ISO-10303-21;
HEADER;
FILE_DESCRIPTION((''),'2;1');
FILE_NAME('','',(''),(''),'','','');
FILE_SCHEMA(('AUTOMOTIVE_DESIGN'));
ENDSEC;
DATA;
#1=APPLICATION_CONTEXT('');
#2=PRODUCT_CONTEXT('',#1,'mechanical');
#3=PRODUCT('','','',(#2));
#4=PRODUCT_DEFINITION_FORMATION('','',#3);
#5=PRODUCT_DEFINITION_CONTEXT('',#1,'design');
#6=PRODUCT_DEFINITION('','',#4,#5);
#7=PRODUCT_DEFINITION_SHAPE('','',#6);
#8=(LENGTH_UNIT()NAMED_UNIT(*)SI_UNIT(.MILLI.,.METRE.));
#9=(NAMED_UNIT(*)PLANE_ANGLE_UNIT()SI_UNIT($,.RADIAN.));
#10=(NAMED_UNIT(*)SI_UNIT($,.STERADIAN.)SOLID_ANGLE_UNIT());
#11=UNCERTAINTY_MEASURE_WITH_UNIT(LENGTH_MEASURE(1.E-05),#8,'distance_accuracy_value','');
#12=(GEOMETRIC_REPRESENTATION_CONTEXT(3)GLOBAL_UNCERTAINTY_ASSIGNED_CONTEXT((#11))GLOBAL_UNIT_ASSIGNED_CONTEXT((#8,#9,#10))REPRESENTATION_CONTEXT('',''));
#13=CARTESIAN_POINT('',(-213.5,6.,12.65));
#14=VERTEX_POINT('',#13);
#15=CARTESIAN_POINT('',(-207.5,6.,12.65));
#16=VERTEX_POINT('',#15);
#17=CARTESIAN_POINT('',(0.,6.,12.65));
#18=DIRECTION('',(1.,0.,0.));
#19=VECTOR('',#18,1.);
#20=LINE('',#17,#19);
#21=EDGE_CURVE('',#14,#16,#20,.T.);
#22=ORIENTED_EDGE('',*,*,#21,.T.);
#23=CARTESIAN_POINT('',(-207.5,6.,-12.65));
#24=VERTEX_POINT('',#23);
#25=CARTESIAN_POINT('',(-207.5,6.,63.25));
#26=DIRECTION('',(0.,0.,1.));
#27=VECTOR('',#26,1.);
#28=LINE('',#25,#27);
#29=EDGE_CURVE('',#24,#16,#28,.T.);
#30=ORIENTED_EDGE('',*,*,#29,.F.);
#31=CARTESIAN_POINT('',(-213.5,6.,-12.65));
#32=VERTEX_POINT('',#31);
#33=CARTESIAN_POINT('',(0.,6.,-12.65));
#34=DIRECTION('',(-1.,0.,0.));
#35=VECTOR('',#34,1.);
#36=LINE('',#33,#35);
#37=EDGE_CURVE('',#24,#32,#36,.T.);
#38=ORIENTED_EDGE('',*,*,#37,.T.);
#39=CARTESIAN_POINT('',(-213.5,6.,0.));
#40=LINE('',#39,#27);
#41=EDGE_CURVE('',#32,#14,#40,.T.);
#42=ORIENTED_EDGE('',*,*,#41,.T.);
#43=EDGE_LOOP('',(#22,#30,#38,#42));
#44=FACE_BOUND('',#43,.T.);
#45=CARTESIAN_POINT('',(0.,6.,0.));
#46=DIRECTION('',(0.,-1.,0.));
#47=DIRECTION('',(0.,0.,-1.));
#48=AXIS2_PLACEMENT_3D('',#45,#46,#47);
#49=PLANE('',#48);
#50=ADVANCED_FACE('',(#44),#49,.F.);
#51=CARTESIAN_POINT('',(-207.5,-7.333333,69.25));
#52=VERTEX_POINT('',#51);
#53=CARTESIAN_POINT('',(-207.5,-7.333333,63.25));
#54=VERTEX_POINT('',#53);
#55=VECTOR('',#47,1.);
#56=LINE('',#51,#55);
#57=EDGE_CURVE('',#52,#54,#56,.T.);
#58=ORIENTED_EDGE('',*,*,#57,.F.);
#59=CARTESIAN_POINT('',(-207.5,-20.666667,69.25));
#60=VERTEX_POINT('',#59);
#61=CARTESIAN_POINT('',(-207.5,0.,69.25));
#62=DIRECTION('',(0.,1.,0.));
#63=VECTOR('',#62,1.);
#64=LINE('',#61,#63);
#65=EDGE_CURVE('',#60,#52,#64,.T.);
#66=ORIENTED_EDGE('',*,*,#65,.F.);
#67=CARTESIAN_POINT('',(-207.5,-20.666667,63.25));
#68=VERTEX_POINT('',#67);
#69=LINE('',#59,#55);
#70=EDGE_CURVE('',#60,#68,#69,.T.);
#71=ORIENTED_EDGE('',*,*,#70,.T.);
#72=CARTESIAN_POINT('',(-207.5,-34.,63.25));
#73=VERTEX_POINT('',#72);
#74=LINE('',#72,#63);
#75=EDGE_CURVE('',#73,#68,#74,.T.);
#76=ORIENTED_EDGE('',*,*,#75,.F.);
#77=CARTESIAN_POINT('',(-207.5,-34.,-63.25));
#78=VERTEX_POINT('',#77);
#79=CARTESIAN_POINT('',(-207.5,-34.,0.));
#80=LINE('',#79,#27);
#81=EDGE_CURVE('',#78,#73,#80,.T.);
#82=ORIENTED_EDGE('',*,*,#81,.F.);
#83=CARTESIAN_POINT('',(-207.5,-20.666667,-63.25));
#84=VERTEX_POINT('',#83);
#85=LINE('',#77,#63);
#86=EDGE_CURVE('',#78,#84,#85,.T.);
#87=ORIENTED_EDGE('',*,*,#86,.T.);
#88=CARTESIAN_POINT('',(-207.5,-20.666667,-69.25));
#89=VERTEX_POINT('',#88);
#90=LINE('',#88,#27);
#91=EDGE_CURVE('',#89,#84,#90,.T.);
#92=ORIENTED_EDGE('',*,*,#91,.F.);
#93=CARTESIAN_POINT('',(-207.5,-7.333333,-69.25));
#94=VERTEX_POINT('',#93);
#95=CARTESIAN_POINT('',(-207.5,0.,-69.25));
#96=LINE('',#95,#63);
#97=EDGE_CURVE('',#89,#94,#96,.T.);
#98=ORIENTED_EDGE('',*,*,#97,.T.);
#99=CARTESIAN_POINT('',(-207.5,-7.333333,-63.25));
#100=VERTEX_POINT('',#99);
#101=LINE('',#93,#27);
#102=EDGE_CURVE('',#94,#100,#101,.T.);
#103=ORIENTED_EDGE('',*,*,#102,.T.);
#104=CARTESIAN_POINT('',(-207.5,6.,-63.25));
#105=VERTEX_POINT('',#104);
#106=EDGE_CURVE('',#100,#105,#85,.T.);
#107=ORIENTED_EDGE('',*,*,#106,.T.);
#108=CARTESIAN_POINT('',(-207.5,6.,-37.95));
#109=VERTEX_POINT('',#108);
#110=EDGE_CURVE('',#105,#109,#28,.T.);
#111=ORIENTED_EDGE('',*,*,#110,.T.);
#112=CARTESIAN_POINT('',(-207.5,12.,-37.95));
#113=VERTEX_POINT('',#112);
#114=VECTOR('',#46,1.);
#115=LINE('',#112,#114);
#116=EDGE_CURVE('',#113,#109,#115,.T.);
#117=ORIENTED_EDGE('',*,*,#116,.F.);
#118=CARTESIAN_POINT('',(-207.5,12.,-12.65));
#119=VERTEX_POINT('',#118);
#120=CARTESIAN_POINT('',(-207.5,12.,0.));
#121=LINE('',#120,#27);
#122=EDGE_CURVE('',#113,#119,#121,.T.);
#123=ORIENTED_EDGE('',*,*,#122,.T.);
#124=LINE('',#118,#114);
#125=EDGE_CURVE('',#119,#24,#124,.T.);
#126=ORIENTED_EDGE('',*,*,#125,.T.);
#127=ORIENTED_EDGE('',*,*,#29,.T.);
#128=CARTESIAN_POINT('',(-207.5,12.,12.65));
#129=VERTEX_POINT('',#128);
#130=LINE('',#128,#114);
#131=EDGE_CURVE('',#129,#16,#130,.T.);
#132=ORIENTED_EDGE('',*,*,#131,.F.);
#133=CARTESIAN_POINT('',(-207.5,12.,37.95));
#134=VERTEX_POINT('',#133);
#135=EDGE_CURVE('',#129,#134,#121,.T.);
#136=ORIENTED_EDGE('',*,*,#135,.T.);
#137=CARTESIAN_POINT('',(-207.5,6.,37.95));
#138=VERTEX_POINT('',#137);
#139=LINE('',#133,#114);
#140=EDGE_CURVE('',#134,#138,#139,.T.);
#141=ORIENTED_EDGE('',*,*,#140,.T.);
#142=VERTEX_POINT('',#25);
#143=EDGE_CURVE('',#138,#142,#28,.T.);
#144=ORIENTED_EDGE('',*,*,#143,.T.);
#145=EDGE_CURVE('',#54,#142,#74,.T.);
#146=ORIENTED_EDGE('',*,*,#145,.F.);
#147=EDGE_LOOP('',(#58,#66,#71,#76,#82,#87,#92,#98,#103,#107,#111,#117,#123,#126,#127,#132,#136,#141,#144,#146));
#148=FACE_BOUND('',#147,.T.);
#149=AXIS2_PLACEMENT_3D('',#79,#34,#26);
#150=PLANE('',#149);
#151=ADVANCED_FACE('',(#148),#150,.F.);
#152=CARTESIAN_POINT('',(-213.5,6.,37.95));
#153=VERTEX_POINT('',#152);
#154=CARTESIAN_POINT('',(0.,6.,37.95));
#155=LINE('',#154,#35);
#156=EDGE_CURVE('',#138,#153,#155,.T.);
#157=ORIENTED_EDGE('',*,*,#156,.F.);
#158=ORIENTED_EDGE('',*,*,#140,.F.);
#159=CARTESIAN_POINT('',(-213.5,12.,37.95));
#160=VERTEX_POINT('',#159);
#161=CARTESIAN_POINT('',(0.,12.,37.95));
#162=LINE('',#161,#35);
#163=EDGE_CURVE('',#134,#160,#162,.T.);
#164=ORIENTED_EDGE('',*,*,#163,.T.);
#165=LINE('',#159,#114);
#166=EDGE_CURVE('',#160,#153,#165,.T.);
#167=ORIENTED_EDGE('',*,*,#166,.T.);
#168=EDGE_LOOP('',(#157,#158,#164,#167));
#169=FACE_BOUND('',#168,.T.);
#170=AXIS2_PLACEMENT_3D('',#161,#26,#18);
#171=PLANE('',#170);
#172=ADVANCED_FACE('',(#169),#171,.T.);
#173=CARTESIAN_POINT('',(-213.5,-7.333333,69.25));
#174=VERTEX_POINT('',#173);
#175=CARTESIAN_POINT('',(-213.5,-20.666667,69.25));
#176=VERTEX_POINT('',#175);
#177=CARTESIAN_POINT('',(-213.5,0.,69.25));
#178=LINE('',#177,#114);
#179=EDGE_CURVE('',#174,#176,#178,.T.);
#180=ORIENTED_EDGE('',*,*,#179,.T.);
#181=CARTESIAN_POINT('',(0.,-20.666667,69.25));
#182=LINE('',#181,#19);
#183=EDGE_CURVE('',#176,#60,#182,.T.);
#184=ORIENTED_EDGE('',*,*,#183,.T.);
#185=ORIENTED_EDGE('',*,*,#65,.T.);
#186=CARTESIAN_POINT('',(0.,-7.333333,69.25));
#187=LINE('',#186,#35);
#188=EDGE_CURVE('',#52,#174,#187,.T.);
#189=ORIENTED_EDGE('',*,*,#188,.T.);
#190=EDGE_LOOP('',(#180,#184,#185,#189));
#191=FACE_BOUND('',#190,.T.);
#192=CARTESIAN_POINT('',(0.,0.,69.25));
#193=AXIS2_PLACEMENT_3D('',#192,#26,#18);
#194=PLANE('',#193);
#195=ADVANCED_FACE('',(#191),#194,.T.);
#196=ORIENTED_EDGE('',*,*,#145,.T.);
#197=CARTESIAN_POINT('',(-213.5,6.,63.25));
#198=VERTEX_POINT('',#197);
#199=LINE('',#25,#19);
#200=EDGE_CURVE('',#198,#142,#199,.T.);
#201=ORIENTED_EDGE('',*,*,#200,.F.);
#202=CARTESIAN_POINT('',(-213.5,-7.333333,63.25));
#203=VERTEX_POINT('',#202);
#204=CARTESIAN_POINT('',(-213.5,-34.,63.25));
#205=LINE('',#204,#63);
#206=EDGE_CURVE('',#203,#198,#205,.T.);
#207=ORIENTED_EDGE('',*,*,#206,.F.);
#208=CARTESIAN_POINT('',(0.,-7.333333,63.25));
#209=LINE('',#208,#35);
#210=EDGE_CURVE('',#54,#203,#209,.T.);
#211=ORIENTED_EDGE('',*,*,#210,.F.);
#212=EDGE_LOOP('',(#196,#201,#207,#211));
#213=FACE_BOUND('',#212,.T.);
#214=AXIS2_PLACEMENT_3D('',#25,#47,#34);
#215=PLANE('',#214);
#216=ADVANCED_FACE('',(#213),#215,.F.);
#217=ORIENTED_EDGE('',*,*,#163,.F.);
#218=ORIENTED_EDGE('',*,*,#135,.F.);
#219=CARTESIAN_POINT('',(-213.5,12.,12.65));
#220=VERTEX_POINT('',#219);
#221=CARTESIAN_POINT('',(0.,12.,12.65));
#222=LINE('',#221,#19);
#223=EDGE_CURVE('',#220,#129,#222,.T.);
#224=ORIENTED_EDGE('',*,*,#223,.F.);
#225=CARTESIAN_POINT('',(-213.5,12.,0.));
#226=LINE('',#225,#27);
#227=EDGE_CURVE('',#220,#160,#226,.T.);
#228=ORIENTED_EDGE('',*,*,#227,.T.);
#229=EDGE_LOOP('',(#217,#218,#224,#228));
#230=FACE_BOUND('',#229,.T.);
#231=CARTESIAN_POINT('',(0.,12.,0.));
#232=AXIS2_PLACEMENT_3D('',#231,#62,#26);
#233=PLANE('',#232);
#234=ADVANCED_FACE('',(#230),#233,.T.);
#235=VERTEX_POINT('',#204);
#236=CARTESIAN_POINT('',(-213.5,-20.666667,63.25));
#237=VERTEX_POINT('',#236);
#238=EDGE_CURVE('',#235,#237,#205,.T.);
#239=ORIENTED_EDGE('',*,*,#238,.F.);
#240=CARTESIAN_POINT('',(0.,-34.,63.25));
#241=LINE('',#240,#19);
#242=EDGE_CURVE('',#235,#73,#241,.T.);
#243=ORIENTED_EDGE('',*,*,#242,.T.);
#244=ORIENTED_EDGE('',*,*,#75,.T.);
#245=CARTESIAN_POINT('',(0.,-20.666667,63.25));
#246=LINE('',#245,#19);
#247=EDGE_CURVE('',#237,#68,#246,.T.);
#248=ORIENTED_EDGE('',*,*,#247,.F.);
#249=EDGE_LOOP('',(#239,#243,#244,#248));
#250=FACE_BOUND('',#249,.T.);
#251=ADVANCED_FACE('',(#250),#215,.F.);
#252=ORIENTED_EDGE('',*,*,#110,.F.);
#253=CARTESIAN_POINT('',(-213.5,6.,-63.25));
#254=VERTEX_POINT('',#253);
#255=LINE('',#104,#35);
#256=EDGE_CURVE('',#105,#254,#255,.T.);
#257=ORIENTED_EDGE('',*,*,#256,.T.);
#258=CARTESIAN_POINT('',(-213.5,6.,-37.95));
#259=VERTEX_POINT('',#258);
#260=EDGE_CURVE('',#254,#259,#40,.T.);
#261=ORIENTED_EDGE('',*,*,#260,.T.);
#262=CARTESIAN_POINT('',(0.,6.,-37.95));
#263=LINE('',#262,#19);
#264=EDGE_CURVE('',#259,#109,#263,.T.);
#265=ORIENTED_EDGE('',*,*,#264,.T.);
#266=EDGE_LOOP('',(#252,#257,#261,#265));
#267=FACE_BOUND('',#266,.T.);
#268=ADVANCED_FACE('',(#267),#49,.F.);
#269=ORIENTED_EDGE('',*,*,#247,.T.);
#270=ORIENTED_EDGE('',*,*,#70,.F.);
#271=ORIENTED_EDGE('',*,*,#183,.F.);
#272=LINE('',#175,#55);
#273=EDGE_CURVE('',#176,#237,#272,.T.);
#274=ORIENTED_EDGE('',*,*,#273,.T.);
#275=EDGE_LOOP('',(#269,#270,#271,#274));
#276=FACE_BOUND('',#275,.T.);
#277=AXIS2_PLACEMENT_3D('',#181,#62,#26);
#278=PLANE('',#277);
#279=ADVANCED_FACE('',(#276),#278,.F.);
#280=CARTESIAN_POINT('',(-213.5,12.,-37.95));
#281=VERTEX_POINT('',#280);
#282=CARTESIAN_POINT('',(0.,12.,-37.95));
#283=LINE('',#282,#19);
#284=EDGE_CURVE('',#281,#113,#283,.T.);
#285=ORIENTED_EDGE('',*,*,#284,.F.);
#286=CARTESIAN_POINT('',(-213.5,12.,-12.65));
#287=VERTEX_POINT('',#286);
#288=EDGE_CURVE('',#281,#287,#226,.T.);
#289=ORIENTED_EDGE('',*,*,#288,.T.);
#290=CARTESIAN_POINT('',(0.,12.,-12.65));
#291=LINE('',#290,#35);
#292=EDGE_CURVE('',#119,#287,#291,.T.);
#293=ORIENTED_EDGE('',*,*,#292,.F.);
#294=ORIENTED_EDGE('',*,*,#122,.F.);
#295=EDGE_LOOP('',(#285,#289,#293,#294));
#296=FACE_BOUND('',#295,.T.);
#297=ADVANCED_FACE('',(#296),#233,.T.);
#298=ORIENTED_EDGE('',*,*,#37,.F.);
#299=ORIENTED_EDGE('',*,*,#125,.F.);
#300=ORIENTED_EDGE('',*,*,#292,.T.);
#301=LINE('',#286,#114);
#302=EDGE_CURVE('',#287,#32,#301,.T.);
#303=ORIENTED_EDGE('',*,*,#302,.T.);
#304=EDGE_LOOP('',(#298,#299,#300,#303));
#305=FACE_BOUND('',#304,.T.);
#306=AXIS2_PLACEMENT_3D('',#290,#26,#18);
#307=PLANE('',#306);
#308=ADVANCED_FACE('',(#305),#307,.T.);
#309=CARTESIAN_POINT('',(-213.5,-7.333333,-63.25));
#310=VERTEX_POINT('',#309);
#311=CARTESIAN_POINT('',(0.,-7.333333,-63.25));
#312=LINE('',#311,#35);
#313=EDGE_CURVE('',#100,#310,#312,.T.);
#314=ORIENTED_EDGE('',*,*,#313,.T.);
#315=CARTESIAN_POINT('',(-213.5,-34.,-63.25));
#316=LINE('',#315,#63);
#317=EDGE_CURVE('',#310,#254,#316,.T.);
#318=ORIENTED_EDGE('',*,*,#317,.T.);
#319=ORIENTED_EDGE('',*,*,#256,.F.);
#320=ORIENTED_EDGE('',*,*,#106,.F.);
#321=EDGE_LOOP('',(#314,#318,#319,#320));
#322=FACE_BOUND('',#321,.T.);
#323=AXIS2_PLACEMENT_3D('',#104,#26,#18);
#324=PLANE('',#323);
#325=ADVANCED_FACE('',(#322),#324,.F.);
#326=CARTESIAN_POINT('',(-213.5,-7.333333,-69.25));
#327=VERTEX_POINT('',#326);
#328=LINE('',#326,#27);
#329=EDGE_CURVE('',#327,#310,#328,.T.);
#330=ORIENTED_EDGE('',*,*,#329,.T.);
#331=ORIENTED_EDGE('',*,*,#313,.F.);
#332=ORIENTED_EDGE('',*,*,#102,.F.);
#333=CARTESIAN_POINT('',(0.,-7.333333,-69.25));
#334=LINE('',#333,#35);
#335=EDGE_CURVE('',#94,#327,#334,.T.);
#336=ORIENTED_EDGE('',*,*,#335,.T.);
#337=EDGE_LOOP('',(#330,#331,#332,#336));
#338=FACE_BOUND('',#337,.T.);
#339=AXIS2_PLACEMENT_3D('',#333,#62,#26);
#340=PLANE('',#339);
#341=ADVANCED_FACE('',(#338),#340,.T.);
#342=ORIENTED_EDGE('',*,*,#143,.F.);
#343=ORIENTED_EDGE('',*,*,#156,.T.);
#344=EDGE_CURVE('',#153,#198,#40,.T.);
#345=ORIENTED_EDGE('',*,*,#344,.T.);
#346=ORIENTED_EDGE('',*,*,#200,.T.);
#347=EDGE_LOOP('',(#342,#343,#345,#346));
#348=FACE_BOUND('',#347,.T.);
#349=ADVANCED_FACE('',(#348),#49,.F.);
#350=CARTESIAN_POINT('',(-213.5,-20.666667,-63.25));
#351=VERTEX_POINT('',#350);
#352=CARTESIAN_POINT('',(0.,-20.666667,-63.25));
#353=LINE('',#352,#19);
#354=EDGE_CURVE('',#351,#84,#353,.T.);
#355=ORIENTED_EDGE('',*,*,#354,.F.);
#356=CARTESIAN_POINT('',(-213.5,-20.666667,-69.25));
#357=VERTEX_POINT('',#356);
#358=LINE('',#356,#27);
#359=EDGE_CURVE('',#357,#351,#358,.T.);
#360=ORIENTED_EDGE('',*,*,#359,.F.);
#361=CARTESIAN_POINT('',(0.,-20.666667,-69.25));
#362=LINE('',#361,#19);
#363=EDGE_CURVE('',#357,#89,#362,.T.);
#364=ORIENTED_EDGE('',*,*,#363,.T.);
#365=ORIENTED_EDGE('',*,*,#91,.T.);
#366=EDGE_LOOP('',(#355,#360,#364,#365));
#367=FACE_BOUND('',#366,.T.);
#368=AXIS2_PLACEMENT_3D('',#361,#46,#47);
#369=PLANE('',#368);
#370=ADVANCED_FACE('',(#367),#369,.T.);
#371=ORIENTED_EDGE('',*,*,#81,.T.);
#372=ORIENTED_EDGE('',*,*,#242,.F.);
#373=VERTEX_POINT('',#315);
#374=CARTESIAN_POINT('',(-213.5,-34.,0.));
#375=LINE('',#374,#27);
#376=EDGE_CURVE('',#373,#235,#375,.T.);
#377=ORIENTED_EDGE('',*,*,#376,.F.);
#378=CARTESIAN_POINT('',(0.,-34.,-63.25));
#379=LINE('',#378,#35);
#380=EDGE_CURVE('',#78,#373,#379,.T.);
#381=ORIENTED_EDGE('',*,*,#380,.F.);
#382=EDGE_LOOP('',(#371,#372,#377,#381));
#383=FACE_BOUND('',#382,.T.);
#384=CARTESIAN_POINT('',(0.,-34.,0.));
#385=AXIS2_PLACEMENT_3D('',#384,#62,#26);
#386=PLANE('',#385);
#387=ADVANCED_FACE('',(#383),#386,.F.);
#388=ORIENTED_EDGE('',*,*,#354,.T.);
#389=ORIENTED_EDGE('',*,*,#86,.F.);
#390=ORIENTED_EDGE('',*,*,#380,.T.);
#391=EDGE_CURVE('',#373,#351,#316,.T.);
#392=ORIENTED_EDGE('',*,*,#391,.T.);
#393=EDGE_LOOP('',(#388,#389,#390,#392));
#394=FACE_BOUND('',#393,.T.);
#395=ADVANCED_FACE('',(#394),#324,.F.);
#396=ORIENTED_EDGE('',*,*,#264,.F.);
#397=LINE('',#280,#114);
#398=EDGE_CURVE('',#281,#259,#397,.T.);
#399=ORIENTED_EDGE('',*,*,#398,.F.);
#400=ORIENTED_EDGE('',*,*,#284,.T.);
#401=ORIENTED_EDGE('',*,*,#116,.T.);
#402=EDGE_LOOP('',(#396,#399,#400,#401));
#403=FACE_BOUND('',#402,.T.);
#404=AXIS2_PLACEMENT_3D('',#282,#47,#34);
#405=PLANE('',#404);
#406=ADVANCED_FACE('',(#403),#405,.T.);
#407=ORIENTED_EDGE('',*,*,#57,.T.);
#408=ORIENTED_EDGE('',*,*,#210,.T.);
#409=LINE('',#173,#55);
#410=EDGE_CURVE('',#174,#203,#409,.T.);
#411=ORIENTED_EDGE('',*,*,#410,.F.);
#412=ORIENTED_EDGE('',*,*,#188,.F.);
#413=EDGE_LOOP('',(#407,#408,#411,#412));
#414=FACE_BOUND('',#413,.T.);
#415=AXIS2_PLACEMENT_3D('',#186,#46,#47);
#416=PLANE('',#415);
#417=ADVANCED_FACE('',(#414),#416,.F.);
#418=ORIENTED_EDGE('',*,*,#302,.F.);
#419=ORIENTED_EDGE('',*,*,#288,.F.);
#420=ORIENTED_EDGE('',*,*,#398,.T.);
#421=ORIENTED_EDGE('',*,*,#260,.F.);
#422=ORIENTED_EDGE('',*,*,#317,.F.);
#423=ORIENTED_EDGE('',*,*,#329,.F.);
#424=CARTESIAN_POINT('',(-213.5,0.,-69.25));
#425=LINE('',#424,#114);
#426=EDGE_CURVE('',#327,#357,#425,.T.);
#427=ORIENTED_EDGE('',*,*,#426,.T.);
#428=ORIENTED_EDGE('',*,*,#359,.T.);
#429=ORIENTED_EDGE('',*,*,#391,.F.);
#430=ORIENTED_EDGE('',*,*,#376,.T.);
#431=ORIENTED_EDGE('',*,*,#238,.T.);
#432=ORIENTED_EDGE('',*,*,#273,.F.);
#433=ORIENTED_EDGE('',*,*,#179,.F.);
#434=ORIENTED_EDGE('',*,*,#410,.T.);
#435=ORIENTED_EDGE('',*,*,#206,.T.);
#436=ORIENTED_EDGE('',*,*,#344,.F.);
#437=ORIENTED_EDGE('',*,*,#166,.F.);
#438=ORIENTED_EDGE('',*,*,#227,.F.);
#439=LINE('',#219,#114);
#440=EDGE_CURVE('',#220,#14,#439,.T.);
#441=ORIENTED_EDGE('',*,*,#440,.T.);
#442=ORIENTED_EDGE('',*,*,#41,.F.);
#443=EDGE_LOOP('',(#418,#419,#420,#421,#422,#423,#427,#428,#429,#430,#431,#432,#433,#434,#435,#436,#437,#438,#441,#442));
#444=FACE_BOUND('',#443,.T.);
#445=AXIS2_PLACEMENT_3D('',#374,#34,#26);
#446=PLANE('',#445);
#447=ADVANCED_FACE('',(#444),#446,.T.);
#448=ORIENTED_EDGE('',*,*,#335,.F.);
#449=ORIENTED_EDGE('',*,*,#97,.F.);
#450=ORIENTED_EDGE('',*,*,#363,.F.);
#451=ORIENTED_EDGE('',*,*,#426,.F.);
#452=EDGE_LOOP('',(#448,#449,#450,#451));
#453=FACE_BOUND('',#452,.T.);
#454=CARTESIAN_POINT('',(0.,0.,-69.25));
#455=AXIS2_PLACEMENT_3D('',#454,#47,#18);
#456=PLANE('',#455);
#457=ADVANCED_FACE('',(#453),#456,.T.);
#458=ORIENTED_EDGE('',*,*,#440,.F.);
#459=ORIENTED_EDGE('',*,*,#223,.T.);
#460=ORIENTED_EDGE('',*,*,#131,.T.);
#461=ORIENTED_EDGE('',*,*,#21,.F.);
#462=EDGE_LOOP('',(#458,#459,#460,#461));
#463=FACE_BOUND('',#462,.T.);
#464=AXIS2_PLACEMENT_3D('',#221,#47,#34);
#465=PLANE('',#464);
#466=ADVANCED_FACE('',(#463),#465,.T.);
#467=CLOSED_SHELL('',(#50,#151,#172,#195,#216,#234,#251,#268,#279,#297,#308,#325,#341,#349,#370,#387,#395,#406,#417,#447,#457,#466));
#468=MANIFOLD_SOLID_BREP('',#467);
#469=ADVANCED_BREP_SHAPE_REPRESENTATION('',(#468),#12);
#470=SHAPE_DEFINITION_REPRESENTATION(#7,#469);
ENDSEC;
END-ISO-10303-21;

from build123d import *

# Parameters (mm, degrees)
SKETCH1_W               = 415
SKETCH1_H               = 126.5
BOSS_EXTRUDE1_DEPTH     = 6
SKETCH2_W               = 6
SKETCH2_H               = 25.3
BOSS_EXTRUDE2_DEPTH     = 40
SKETCH1_2_W             = 415
SKETCH1_2_H             = 126.5
CUT_EXTRUDE1_DEPTH      = 7
CUT_EXTRUDE1_DEPTH_BACK = 35
SKETCH2_4_W             = 6
SKETCH2_4_H             = 25.3
BOSS_EXTRUDE3_DEPTH     = 6
SKETCH6_W               = 6
SKETCH6_H               = 13.333333334
BOSS_EXTRUDE5_DEPTH     = 6


with BuildPart() as part:
    # Sketch1 → Boss-Extrude1 (new body)
    with BuildSketch(Plane(origin=(0, 0, 0), x_dir=(1, 0, 0), z_dir=(0, 1, 0))):
        Rectangle(SKETCH1_W, SKETCH1_H)
    extrude(amount=BOSS_EXTRUDE1_DEPTH)

    # Sketch2 → Boss-Extrude2 (add)
    with BuildSketch(Plane(origin=(0, 6, 0), x_dir=(1, 0, 0), z_dir=(0, 1, 0))):
        with Locations((-210.5, 50.6)):
            Rectangle(SKETCH2_W, SKETCH2_H)
        with Locations((-210.5, 25.3)):
            Rectangle(SKETCH2_W, SKETCH2_H)
        with Locations((-210.5, 0)):
            Rectangle(SKETCH2_W, SKETCH2_H)
        with Locations((-210.5, -25.3)):
            Rectangle(SKETCH2_W, SKETCH2_H)
        with Locations((-210.5, -50.6)):
            Rectangle(SKETCH2_W, SKETCH2_H)
    extrude(amount=-BOSS_EXTRUDE2_DEPTH)

    # Sketch1<2> → Cut-Extrude1 (cut, two sides)
    with BuildSketch(Plane(origin=(0, 0, 0), x_dir=(1, 0, 0), z_dir=(0, 1, 0))) as cut_extrude1_sk:
        Rectangle(SKETCH1_2_W, SKETCH1_2_H)
    extrude(amount=CUT_EXTRUDE1_DEPTH, mode=Mode.SUBTRACT)
    extrude(cut_extrude1_sk.sketch, amount=-CUT_EXTRUDE1_DEPTH_BACK, mode=Mode.SUBTRACT)

    # Sketch2<4> → Boss-Extrude3 (add)
    with BuildSketch(Plane(origin=(0, 6, 0), x_dir=(1, 0, 0), z_dir=(0, 1, 0))):
        with Locations((-210.5, -25.3)):
            Rectangle(SKETCH2_4_W, SKETCH2_4_H)
        with Locations((-210.5, 25.3)):
            Rectangle(SKETCH2_4_W, SKETCH2_4_H)
    extrude(amount=BOSS_EXTRUDE3_DEPTH)

    # Sketch6 → Boss-Extrude5 (add)
    with BuildSketch(Plane.XY.offset(63.25)):
        with Locations((-210.5, -14)):
            Rectangle(SKETCH6_W, SKETCH6_H)
    boss_extrude5 = extrude(amount=BOSS_EXTRUDE5_DEPTH)

    # Mirror4: Boss-Extrude5 across plane
    add(boss_extrude5.mirror(Plane.XY))


solid = part.part
